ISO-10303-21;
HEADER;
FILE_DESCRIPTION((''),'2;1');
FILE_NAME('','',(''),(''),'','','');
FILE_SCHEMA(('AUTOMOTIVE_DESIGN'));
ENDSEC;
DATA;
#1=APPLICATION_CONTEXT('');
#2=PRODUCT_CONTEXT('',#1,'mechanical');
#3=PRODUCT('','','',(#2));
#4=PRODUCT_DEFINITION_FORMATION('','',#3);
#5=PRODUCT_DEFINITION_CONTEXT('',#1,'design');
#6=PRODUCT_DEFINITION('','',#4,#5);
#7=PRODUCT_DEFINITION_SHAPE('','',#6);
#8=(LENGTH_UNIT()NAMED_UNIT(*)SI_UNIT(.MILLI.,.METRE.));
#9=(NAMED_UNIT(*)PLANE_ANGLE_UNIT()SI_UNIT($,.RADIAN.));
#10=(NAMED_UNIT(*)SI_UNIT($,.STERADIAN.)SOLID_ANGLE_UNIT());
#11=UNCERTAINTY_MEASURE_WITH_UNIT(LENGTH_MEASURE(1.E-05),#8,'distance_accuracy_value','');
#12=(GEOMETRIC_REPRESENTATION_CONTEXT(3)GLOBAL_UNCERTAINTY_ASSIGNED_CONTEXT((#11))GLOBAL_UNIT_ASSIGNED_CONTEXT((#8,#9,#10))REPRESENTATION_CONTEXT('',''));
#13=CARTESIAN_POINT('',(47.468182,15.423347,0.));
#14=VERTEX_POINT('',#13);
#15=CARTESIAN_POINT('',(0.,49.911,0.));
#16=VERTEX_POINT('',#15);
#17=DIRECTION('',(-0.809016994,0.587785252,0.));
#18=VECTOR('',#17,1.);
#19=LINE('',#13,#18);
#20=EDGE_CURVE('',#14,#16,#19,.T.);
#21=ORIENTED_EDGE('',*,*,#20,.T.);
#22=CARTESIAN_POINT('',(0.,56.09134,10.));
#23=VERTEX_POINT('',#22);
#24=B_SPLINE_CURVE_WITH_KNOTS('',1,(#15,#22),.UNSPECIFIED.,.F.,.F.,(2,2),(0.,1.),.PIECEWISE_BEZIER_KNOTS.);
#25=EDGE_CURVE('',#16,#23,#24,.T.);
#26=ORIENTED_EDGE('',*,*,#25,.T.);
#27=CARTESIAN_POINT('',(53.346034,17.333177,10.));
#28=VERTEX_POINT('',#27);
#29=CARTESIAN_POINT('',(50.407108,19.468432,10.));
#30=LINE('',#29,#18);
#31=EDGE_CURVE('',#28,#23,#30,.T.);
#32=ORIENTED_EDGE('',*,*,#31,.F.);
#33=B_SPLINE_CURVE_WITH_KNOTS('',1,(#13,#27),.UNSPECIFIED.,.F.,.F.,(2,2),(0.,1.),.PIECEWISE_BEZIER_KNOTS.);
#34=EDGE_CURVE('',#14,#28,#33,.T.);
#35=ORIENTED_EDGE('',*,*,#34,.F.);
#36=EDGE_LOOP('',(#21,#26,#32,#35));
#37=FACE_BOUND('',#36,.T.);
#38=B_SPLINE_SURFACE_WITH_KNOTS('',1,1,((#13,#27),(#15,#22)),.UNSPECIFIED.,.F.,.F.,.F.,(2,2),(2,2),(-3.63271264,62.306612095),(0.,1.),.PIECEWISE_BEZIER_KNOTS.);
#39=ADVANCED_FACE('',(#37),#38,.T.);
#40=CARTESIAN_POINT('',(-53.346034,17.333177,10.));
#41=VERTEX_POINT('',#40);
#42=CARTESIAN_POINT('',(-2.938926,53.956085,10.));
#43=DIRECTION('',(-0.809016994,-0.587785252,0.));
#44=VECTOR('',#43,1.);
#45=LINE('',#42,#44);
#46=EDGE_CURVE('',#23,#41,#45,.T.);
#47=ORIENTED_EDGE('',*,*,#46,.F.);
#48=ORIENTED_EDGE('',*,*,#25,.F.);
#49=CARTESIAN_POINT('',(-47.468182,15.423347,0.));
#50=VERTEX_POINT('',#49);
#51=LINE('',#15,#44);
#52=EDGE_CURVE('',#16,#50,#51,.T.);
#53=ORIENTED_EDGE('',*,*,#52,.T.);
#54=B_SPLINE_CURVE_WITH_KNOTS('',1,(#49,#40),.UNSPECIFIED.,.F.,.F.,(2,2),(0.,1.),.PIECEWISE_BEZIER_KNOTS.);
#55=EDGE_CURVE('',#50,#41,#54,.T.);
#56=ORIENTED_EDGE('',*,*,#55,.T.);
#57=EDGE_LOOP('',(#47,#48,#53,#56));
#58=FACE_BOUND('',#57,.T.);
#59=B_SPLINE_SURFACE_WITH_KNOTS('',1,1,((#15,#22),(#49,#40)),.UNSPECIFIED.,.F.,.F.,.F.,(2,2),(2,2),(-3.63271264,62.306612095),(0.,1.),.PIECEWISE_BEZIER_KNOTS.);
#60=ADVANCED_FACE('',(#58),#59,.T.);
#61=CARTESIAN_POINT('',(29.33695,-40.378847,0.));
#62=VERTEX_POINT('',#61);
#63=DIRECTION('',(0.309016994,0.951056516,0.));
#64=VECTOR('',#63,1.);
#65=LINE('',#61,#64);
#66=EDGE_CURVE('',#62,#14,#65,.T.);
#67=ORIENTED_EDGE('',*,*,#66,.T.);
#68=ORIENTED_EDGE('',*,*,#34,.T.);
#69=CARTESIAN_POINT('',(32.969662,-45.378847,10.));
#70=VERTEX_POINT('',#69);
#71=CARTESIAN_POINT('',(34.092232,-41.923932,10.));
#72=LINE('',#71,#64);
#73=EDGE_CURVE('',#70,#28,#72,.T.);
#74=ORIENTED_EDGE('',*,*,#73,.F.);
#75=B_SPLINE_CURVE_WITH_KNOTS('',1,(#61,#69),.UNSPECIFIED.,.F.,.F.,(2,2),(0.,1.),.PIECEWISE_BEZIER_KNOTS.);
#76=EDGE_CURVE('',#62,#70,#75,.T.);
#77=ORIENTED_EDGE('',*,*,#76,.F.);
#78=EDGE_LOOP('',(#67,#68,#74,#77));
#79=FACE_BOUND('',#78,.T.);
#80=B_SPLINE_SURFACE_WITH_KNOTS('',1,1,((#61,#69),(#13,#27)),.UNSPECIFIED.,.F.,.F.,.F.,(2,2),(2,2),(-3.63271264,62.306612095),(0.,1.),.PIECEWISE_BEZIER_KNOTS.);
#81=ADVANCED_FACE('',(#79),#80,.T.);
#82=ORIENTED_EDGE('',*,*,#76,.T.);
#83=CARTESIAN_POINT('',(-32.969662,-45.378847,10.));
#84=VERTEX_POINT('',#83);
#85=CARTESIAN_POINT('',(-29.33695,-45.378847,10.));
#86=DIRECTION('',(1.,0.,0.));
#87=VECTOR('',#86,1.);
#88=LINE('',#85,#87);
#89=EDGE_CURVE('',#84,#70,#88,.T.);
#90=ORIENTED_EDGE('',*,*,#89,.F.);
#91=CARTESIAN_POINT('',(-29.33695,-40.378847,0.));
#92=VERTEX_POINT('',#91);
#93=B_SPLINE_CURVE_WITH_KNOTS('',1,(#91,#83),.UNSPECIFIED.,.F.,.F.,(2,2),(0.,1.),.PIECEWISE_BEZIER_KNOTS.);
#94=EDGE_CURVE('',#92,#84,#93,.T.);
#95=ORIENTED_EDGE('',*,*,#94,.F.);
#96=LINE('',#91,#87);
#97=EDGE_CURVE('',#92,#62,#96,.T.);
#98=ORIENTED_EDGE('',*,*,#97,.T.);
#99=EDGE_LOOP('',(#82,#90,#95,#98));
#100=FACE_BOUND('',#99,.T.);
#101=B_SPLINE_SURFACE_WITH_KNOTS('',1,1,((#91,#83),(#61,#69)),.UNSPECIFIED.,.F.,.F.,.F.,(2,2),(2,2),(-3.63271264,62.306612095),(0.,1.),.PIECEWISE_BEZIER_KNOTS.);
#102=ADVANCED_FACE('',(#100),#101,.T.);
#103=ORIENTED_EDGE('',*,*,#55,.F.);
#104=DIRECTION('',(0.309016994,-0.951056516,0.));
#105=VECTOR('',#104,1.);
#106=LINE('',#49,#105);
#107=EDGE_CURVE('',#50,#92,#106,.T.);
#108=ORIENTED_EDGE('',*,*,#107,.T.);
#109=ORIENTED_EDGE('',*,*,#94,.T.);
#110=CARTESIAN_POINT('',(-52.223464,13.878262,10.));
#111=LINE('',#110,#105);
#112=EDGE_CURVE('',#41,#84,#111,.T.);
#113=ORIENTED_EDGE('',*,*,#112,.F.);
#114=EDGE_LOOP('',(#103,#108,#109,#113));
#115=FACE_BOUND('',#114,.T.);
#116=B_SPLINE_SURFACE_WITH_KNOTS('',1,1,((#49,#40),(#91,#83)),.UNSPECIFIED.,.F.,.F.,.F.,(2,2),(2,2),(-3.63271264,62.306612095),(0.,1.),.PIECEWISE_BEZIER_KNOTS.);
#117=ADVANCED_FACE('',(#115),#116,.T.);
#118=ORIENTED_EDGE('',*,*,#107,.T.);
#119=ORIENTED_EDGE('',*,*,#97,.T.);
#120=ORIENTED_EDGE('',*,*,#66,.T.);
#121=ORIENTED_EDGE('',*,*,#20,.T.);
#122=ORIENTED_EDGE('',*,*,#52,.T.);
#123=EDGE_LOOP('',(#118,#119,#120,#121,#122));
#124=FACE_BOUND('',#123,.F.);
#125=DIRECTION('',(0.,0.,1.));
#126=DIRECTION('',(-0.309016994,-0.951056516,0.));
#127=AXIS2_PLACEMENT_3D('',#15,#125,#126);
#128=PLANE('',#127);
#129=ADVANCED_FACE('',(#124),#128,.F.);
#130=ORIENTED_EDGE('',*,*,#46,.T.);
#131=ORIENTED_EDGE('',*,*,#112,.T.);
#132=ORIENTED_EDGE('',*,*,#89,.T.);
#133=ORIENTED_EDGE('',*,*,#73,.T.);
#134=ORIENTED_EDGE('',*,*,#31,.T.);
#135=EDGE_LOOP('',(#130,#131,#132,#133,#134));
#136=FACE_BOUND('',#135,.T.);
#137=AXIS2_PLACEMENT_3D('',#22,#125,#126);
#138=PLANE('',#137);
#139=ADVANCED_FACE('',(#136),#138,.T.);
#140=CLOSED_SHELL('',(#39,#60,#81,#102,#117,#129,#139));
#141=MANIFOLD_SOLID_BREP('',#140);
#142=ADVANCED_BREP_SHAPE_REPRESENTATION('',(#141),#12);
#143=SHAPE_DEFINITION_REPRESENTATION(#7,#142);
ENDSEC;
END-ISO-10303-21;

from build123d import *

# Parameters (mm, degrees)
F1_DEPTH = 10
F1_TAPER = -26.56505118


with BuildPart() as f1:
    # F0 (on Top) → F1 (new body)
    with BuildSketch(Plane.XY):
        Polygon((0, 49.911), (-47.4681817848, 15.4233472062), (-29.3369497272, -40.3788472062), (29.3369497272, -40.3788472062), (47.4681817848, 15.4233472062), align=None)
    extrude(amount=F1_DEPTH, taper=F1_TAPER)


solid = f1.part
